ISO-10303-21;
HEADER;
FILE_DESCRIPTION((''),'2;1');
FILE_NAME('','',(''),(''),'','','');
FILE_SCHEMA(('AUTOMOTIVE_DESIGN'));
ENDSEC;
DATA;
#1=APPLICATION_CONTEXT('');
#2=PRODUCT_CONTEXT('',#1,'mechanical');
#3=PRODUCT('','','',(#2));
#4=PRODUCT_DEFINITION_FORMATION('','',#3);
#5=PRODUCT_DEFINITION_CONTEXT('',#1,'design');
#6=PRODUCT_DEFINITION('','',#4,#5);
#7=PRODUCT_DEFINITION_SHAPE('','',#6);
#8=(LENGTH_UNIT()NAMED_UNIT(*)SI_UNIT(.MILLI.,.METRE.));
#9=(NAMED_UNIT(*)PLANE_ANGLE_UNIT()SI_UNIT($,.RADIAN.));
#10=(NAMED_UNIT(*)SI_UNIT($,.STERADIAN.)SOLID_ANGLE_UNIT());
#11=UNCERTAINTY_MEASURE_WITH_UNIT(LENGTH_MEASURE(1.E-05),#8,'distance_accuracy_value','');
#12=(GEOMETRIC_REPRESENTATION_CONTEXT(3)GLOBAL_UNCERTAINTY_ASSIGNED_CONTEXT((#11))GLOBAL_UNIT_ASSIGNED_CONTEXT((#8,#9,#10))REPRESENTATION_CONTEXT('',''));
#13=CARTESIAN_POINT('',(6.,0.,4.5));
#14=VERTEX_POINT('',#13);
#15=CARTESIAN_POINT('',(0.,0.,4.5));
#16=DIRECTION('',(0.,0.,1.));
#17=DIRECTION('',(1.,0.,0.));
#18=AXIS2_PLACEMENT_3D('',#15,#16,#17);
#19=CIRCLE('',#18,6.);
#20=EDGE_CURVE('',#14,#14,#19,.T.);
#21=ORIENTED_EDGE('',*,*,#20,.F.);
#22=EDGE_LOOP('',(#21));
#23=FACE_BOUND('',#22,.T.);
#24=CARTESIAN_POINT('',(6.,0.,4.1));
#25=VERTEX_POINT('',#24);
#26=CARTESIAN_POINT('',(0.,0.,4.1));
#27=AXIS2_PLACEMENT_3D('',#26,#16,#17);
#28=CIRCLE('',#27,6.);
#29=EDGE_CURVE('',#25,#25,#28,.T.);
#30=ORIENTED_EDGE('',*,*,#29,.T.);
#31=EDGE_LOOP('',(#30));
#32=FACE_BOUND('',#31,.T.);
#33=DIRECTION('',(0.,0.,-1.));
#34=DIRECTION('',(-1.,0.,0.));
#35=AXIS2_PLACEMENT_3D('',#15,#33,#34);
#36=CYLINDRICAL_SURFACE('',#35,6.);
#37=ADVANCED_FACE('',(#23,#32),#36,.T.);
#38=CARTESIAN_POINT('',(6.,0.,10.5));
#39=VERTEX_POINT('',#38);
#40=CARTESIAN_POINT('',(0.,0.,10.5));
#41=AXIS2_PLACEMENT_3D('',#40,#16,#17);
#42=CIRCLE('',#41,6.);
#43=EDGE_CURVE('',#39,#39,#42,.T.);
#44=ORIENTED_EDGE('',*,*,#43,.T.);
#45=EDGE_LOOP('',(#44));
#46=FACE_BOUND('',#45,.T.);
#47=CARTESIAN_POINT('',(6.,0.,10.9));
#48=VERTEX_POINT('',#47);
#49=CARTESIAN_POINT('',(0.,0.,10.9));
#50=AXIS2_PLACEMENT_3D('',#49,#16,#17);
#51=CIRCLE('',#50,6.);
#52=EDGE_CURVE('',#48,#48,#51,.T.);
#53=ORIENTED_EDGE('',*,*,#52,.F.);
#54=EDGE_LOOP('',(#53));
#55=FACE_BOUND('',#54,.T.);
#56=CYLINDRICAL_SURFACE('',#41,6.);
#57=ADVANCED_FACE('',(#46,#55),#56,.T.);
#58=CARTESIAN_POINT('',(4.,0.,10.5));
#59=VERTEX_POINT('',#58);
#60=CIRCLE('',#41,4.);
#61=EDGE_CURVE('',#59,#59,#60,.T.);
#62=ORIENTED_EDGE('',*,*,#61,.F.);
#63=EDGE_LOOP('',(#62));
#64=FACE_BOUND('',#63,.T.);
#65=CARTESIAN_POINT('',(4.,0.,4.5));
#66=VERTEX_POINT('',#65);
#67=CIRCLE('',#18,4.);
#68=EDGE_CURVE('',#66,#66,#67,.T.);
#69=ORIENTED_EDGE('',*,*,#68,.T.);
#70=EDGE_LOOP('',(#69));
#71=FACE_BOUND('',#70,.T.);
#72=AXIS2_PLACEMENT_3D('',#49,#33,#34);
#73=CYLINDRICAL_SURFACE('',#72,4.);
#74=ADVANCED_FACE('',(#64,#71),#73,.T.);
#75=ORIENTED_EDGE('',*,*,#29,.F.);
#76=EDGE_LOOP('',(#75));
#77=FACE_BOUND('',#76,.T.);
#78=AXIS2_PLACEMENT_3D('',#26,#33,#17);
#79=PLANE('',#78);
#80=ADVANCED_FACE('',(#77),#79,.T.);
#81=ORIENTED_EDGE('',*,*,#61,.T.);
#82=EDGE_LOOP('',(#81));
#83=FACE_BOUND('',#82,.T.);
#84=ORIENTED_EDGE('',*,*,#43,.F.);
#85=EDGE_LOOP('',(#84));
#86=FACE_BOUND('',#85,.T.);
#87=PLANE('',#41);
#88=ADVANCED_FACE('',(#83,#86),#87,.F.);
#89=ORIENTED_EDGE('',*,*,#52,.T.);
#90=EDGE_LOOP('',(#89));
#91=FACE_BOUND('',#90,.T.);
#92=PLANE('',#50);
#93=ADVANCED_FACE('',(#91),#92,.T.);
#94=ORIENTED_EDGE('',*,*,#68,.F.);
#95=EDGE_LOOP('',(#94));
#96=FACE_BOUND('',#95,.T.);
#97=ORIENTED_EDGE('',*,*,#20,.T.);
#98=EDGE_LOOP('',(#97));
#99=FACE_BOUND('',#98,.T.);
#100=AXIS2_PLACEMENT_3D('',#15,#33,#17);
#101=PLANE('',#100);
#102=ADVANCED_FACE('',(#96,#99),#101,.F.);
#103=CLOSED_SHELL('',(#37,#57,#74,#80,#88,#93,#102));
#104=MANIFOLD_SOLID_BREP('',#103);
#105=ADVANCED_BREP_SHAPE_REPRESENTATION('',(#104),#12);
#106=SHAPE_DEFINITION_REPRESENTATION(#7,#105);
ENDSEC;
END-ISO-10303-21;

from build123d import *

# Parameters (mm, degrees)
SKETCH1_R           = 10
BOSS_EXTRUDE1_DEPTH = 16
SKETCH2_R           = 15
BOSS_EXTRUDE2_DEPTH = 1
SCALE1_SCALE        = 0.2
SCALE2_SCALE        = 2


with BuildPart() as part:
    # Sketch1 → Boss-Extrude1 (new body)
    with BuildSketch(Plane.XY):
        Circle(SKETCH1_R)
    extrude(amount=BOSS_EXTRUDE1_DEPTH)

    # Sketch2 → Boss-Extrude2 (add)
    with BuildSketch(Plane.XY.offset(16)):
        Circle(SKETCH2_R)
    boss_extrude2 = extrude(amount=-BOSS_EXTRUDE2_DEPTH)

    # Mirror1: Boss-Extrude2 across plane
    add(boss_extrude2.mirror(Plane(origin=(0, 0, 7.5), x_dir=(1, 0, 0), z_dir=(0, 0, -1))))


with BuildPart() as part_1:
    # Scale1: scaled about (0, 0, 7.5)
    add(part.part.scale(SCALE1_SCALE).moved(Location((0, 0, 6))))


with BuildPart() as part_2:
    # Scale2: scaled about (0, 0, 7.5)
    add(part_1.part.scale(SCALE2_SCALE).moved(Location((0, 0, -7.5))))


solid = part_2.part
